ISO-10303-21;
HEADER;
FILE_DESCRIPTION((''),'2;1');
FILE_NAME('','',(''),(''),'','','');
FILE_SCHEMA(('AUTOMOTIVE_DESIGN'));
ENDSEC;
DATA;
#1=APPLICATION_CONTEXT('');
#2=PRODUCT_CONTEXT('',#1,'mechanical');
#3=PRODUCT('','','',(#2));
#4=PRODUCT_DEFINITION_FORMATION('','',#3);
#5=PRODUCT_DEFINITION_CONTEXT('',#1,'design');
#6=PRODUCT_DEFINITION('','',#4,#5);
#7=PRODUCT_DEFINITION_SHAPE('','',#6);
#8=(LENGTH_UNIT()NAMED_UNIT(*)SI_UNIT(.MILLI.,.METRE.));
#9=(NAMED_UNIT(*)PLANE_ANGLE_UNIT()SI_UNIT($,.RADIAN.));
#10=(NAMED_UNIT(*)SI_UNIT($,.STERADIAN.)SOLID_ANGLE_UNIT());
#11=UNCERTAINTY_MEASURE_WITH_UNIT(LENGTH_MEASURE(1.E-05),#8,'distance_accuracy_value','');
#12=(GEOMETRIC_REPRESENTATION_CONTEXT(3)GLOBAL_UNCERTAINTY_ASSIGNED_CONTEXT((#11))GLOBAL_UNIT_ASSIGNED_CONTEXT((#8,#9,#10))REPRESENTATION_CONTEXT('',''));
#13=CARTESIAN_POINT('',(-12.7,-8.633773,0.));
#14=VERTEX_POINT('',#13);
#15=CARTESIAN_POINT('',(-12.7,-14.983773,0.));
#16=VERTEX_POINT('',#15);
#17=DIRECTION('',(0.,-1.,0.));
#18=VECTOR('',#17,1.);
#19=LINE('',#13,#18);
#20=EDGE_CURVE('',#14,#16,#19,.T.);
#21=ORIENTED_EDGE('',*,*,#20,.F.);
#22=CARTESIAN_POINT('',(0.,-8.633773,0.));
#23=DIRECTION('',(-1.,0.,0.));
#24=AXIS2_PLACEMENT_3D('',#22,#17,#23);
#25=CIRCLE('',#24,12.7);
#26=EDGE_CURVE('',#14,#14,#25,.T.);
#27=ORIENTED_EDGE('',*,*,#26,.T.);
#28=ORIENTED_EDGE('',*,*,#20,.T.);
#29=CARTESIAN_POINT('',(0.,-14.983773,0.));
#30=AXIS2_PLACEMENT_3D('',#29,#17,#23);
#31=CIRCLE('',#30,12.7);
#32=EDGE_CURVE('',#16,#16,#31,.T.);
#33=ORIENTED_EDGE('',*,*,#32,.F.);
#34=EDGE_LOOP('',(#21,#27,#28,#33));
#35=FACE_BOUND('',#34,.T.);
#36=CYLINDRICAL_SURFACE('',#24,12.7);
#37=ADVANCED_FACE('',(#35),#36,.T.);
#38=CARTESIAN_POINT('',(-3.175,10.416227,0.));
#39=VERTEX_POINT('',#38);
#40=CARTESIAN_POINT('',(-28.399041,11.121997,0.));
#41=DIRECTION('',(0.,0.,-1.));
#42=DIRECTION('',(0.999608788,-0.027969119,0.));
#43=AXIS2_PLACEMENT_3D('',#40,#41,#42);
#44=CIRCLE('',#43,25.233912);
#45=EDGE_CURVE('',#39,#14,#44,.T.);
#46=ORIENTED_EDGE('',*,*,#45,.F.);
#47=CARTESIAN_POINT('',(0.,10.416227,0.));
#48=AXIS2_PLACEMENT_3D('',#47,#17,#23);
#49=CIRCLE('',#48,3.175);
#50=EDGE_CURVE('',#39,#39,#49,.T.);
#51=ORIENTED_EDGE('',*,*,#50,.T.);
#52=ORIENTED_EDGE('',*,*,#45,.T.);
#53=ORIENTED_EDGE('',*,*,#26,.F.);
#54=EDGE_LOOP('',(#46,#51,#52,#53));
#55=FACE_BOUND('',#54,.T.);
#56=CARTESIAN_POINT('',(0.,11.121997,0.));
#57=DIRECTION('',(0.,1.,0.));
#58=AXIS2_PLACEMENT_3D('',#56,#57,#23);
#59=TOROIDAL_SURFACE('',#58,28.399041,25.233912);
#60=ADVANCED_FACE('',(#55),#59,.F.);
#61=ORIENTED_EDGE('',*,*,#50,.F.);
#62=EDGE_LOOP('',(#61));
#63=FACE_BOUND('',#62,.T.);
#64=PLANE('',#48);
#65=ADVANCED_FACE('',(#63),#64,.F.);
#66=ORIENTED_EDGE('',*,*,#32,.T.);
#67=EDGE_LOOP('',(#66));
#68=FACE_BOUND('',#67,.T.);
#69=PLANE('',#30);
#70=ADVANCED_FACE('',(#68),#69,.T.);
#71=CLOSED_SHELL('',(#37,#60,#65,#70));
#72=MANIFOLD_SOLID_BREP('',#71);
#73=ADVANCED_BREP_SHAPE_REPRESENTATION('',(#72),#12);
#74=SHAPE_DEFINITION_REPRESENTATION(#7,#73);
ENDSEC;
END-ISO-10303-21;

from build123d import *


with BuildPart() as f1:
    # F0 (on Top) → F1 (revolve)
    with BuildSketch(Plane.XY):
        with BuildLine():
            Line((0, -14.983773), (0, 10.416227))
            Line((0, 10.416227), (-3.175, 10.416227))
            ThreePointArc((-3.175, 10.416227), (-5.829143, -0.162951), (-12.7, -8.633773))
            Line((-12.7, -8.633773), (-12.7, -14.983773))
            Line((-12.7, -14.983773), (0, -14.983773))
        make_face()
    revolve(axis=Axis((0, -2.283773, 0), (0, -1, 0)))


solid = f1.part
